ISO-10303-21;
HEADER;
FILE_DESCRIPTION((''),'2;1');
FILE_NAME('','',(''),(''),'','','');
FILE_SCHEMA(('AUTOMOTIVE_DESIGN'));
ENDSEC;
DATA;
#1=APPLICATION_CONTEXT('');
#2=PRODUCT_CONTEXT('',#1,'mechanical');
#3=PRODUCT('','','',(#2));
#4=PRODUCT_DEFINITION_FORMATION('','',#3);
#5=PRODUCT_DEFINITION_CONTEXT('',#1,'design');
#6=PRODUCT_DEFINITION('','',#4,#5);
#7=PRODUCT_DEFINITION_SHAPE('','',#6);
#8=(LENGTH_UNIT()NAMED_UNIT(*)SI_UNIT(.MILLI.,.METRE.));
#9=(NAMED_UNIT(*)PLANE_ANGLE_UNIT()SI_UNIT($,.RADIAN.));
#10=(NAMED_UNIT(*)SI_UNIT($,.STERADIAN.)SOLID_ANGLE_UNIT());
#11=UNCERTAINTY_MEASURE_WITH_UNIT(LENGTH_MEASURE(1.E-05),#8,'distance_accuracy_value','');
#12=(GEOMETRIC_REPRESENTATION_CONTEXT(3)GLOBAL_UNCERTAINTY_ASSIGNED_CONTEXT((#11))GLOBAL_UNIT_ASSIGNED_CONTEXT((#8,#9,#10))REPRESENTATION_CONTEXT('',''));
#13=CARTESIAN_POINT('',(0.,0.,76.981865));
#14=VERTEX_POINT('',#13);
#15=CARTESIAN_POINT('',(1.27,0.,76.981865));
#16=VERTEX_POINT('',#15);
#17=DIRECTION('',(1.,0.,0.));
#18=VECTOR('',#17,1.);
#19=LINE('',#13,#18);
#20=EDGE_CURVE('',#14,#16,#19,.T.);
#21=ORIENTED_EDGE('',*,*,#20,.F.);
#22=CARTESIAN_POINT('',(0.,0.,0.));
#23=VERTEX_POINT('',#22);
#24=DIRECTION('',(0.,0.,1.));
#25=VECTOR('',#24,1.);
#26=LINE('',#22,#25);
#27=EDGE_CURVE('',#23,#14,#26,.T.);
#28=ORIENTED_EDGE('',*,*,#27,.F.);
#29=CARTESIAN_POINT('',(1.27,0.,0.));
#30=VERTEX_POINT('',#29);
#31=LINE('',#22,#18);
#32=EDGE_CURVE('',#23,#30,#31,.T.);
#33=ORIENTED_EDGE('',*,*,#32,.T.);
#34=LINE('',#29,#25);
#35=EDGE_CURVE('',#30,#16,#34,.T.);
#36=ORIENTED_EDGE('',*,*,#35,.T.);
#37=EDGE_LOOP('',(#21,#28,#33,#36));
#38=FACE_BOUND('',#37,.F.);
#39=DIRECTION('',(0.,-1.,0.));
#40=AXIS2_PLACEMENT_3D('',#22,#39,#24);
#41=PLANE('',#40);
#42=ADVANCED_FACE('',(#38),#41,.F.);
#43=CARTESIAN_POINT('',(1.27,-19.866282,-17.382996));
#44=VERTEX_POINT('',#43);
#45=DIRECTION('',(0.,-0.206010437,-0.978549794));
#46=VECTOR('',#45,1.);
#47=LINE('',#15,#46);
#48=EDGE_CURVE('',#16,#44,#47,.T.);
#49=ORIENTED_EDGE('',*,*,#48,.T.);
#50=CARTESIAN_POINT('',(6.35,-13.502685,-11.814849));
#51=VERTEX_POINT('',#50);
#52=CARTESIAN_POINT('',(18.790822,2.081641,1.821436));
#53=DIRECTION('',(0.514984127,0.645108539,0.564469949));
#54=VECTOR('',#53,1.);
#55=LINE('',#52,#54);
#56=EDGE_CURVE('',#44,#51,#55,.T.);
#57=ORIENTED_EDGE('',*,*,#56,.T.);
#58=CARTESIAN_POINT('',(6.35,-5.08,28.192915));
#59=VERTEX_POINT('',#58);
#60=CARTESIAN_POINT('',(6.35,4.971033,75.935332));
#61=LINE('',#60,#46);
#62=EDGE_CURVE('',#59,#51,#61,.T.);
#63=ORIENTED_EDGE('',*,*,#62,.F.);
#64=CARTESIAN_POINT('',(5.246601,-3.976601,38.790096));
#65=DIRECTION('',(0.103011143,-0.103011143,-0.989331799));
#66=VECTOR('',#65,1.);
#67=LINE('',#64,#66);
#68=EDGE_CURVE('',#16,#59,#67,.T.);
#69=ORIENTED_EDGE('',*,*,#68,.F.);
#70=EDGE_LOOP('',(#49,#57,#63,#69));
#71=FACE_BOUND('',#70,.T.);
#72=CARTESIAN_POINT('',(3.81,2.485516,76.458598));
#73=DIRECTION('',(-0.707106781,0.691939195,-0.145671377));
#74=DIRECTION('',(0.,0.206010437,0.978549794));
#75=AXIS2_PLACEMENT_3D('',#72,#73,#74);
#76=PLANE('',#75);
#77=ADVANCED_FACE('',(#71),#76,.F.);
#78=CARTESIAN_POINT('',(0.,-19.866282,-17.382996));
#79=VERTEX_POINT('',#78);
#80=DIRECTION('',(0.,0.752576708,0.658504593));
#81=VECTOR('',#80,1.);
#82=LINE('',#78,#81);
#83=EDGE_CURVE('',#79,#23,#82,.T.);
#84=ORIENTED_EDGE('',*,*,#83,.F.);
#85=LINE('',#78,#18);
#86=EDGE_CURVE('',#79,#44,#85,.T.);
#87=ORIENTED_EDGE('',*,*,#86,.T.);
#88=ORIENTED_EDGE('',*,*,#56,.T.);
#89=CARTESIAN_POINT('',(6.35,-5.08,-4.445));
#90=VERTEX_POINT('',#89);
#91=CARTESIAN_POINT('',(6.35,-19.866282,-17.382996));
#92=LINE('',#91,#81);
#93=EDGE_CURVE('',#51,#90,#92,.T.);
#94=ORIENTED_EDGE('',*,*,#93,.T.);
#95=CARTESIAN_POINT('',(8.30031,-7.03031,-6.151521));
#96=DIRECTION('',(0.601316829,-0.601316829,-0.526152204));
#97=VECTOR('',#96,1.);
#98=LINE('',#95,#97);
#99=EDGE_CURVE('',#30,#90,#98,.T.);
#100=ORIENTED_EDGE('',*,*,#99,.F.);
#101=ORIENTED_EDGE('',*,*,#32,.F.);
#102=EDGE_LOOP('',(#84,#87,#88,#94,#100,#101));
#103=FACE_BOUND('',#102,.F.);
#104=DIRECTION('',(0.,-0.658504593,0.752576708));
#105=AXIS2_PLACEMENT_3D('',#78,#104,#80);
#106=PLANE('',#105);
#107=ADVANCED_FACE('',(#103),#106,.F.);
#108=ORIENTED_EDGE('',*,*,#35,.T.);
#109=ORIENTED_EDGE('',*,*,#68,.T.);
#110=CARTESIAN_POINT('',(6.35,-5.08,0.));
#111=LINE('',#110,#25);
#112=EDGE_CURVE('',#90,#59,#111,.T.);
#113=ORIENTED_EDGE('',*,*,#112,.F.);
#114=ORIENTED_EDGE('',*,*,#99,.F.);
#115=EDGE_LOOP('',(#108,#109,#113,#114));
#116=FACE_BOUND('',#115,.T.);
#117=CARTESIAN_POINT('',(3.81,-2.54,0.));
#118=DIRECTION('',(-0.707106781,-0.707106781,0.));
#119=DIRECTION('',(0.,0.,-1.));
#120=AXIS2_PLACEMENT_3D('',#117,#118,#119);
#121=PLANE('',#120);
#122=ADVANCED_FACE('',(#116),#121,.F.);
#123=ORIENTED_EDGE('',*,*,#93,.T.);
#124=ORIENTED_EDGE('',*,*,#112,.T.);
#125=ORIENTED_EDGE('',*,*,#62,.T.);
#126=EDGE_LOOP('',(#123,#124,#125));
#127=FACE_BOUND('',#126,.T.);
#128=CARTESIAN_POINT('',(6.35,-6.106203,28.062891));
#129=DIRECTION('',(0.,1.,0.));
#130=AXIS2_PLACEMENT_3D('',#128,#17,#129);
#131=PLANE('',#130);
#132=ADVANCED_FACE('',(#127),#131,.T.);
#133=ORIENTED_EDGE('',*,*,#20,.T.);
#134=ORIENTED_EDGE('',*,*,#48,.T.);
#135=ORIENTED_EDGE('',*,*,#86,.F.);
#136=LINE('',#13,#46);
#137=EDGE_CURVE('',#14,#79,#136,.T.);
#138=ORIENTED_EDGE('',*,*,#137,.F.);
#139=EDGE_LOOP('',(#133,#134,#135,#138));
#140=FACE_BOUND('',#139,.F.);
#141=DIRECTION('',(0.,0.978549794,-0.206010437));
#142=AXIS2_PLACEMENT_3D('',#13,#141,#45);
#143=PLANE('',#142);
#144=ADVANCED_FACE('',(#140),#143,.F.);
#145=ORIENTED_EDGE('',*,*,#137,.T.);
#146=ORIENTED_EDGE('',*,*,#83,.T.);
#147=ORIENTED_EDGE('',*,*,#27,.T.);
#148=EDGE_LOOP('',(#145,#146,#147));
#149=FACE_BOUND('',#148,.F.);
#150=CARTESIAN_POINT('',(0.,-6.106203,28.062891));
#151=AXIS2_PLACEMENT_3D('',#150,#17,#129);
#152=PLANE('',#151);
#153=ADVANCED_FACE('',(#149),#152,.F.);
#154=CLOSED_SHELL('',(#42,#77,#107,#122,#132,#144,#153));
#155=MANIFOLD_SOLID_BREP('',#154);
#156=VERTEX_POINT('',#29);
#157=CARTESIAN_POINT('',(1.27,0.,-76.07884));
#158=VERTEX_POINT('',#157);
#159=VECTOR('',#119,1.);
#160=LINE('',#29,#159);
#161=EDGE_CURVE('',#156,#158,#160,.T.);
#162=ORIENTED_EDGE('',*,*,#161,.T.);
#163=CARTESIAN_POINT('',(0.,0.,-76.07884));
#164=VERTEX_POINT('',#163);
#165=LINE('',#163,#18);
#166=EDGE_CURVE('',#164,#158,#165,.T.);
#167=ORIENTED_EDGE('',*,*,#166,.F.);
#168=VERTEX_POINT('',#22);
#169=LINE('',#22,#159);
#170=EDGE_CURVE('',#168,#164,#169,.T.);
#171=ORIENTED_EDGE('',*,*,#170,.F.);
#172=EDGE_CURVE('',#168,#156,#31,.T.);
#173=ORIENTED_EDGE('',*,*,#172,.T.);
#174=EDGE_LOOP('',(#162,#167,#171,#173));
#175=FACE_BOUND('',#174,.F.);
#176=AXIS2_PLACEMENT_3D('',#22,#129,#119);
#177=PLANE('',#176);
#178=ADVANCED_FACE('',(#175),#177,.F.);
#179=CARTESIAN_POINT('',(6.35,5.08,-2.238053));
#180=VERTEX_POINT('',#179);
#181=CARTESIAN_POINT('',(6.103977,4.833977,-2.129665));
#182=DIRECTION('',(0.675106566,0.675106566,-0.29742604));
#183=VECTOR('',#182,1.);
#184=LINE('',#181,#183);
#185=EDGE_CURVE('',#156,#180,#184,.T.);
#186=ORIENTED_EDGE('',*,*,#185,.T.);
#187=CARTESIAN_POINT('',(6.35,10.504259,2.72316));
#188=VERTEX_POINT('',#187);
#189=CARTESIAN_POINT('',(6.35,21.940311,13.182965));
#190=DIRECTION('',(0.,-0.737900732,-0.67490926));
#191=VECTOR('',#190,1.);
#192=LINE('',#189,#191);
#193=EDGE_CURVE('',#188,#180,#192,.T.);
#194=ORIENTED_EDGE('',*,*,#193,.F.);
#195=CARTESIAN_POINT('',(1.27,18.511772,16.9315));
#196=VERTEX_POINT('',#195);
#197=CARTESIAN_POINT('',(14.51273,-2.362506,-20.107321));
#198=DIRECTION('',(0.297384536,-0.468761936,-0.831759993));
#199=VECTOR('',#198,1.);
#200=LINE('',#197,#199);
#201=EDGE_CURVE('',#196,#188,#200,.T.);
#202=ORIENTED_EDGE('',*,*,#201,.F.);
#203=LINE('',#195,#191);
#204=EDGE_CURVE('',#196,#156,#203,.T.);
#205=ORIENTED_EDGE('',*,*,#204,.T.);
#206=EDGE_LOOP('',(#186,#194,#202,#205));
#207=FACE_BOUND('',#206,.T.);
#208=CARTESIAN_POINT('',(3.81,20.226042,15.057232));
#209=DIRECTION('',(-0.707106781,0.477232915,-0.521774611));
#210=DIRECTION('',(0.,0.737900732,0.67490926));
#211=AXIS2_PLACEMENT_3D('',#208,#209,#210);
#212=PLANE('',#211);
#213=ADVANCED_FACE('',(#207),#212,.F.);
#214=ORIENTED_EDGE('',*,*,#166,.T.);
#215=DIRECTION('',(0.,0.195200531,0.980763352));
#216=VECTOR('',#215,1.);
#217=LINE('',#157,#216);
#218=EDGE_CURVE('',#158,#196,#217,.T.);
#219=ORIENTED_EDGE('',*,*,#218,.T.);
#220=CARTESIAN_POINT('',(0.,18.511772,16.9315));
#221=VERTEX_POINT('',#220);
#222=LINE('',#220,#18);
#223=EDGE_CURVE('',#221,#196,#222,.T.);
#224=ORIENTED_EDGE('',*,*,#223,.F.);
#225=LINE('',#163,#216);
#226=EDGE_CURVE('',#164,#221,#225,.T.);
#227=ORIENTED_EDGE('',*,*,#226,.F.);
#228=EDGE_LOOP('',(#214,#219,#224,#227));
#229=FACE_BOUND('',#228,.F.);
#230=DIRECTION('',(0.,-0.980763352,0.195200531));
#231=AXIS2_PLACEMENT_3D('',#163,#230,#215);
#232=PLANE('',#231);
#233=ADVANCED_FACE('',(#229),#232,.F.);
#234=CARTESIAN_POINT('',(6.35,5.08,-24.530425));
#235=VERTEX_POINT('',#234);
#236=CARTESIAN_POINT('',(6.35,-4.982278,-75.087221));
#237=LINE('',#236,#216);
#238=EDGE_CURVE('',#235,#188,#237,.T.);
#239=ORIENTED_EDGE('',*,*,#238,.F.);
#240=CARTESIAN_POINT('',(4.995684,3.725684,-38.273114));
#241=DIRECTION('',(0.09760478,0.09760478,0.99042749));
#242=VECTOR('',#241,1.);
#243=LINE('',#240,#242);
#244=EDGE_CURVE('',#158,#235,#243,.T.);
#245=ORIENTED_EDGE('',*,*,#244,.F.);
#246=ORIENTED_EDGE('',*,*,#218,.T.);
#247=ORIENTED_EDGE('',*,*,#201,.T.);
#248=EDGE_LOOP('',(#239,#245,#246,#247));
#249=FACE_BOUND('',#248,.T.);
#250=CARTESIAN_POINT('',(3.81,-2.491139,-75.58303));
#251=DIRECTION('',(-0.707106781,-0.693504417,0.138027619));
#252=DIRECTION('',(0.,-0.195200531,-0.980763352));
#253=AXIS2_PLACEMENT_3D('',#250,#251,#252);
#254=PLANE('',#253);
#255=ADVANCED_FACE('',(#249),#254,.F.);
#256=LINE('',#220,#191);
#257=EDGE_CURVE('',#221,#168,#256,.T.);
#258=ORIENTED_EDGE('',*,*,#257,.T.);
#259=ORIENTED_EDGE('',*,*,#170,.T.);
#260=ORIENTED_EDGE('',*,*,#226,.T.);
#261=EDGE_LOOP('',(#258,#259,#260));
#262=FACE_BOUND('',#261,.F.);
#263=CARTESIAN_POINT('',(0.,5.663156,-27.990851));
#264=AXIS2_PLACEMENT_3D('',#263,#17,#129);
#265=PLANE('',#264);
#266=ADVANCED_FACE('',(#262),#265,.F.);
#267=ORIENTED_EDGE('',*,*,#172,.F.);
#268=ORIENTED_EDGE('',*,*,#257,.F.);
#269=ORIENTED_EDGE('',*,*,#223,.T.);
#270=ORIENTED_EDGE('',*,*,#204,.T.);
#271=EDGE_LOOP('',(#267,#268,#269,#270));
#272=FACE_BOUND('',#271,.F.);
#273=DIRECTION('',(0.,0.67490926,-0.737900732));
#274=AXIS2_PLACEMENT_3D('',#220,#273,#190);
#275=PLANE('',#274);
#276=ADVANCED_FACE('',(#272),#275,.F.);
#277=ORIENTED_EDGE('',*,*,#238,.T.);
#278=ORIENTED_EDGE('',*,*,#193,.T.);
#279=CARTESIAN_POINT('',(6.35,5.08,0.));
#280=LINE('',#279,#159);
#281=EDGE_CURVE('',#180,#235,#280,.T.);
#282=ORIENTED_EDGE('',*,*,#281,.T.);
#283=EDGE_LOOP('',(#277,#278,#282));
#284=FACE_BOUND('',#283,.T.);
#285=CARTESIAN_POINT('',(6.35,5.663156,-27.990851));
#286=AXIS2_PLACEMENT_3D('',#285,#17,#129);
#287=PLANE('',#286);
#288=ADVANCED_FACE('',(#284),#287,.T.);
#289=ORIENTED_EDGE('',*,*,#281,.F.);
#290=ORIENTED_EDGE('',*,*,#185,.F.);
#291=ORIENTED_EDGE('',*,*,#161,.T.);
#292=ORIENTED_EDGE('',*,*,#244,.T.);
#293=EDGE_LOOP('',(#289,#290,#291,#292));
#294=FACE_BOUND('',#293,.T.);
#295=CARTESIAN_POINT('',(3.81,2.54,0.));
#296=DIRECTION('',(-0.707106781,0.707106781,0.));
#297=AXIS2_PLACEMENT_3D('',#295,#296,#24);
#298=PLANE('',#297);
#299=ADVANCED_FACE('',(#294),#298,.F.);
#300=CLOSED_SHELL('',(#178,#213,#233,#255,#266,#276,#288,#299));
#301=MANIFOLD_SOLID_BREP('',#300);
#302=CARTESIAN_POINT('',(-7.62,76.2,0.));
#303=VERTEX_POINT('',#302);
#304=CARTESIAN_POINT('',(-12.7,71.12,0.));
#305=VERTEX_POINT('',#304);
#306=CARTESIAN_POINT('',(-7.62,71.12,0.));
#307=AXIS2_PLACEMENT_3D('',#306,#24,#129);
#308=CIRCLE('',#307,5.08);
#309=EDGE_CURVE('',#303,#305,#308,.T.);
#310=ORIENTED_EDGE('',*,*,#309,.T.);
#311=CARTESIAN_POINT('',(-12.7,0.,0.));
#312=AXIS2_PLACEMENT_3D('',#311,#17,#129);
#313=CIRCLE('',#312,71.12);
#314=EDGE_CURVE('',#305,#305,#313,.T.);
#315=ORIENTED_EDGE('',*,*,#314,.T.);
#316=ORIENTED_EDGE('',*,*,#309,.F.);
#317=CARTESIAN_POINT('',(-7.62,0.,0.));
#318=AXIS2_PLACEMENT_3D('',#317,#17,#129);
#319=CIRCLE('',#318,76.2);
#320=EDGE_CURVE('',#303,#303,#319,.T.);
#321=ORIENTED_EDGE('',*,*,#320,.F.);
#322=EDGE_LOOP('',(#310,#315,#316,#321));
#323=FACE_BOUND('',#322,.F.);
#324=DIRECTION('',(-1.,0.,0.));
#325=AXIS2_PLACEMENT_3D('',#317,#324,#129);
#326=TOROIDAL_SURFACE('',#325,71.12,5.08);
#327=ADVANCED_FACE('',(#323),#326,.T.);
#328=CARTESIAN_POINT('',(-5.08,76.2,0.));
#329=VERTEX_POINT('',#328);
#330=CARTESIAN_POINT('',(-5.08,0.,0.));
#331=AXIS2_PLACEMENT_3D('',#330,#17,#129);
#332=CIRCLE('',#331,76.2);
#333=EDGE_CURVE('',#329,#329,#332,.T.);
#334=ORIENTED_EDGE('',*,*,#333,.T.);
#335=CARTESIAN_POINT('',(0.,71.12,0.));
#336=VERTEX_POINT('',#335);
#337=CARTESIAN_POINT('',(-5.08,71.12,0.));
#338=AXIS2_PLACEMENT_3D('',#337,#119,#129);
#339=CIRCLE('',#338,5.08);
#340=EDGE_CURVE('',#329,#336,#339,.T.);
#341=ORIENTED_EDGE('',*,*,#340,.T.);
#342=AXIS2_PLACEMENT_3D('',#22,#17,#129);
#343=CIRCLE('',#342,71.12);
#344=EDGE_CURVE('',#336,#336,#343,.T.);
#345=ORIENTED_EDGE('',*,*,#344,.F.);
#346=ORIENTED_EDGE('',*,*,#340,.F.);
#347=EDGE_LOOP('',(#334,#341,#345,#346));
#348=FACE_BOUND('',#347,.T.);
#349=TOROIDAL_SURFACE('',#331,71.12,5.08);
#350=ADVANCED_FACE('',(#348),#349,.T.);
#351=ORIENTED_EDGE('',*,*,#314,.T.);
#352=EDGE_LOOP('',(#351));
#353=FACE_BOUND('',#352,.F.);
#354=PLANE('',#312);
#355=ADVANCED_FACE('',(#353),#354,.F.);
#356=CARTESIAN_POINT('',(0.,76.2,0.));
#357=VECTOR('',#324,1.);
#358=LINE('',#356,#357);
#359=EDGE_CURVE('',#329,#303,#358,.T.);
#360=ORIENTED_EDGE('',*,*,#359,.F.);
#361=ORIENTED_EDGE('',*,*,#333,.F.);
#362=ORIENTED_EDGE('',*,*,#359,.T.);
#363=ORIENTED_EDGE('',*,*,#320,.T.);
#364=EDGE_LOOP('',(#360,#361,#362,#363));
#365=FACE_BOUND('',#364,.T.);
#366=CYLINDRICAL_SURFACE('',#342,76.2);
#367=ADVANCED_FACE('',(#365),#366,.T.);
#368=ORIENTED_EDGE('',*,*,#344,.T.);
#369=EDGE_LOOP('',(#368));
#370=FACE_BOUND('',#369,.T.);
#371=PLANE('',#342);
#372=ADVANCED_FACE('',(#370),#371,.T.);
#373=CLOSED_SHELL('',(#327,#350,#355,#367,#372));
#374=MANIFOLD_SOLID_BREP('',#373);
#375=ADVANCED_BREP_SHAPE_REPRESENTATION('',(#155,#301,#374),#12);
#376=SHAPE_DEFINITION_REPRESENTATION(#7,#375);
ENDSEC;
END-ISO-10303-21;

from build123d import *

# Parameters (mm, degrees)
F1_DEPTH  = 6.35
F2_R      = 76.2
F3_DEPTH  = 12.7
F4_R      = 5.08
F5_SIZE   = 5.08
F5_2_SIZE = 5.08


with BuildPart() as f1:
    # F0 (on Right) → F1 (new body)
    with BuildSketch(Plane.YZ):
        Polygon((18.5117721558, 16.9315002859), (0, 0), (0, -76.0788396001), align=None)
    extrude(amount=F1_DEPTH)

    # F5#2
    f5_2_edges = [f1.edges().sort_by_distance(p)[0] for p in [
        (6.35, 0, -38.03942),
        (6.35, 9.255886, -29.57367),
        (6.35, 9.255886, 8.46575),
    ]]
    chamfer(f5_2_edges, length=F5_2_SIZE)


with BuildPart() as f1b:
    # F0 (on Right) → F1, piece 2 (new body)
    with BuildSketch(Plane.YZ):
        Polygon((0, 0), (0, 76.9818648696), (-19.8662821203, -17.3829961568), align=None)
    extrude(amount=F1_DEPTH)

    # F5
    f5_edges = [f1b.edges().sort_by_distance(p)[0] for p in [
        (6.35, -9.933141, 29.799434),
        (6.35, 0, 38.490932),
    ]]
    chamfer(f5_edges, length=F5_SIZE)


with BuildPart() as f3:
    # F2 (on Right) → F3 (new body)
    with BuildSketch(Plane.YZ):
        Circle(F2_R)
    extrude(amount=-F3_DEPTH)

    # F4
    f4_edges = [f3.edges().sort_by_distance(p)[0] for p in [
        (0, -76.2, 0),
        (-12.7, -76.2, 0),
    ]]
    fillet(f4_edges, radius=F4_R)


solid = Compound([f1.part, f1b.part, f3.part])
